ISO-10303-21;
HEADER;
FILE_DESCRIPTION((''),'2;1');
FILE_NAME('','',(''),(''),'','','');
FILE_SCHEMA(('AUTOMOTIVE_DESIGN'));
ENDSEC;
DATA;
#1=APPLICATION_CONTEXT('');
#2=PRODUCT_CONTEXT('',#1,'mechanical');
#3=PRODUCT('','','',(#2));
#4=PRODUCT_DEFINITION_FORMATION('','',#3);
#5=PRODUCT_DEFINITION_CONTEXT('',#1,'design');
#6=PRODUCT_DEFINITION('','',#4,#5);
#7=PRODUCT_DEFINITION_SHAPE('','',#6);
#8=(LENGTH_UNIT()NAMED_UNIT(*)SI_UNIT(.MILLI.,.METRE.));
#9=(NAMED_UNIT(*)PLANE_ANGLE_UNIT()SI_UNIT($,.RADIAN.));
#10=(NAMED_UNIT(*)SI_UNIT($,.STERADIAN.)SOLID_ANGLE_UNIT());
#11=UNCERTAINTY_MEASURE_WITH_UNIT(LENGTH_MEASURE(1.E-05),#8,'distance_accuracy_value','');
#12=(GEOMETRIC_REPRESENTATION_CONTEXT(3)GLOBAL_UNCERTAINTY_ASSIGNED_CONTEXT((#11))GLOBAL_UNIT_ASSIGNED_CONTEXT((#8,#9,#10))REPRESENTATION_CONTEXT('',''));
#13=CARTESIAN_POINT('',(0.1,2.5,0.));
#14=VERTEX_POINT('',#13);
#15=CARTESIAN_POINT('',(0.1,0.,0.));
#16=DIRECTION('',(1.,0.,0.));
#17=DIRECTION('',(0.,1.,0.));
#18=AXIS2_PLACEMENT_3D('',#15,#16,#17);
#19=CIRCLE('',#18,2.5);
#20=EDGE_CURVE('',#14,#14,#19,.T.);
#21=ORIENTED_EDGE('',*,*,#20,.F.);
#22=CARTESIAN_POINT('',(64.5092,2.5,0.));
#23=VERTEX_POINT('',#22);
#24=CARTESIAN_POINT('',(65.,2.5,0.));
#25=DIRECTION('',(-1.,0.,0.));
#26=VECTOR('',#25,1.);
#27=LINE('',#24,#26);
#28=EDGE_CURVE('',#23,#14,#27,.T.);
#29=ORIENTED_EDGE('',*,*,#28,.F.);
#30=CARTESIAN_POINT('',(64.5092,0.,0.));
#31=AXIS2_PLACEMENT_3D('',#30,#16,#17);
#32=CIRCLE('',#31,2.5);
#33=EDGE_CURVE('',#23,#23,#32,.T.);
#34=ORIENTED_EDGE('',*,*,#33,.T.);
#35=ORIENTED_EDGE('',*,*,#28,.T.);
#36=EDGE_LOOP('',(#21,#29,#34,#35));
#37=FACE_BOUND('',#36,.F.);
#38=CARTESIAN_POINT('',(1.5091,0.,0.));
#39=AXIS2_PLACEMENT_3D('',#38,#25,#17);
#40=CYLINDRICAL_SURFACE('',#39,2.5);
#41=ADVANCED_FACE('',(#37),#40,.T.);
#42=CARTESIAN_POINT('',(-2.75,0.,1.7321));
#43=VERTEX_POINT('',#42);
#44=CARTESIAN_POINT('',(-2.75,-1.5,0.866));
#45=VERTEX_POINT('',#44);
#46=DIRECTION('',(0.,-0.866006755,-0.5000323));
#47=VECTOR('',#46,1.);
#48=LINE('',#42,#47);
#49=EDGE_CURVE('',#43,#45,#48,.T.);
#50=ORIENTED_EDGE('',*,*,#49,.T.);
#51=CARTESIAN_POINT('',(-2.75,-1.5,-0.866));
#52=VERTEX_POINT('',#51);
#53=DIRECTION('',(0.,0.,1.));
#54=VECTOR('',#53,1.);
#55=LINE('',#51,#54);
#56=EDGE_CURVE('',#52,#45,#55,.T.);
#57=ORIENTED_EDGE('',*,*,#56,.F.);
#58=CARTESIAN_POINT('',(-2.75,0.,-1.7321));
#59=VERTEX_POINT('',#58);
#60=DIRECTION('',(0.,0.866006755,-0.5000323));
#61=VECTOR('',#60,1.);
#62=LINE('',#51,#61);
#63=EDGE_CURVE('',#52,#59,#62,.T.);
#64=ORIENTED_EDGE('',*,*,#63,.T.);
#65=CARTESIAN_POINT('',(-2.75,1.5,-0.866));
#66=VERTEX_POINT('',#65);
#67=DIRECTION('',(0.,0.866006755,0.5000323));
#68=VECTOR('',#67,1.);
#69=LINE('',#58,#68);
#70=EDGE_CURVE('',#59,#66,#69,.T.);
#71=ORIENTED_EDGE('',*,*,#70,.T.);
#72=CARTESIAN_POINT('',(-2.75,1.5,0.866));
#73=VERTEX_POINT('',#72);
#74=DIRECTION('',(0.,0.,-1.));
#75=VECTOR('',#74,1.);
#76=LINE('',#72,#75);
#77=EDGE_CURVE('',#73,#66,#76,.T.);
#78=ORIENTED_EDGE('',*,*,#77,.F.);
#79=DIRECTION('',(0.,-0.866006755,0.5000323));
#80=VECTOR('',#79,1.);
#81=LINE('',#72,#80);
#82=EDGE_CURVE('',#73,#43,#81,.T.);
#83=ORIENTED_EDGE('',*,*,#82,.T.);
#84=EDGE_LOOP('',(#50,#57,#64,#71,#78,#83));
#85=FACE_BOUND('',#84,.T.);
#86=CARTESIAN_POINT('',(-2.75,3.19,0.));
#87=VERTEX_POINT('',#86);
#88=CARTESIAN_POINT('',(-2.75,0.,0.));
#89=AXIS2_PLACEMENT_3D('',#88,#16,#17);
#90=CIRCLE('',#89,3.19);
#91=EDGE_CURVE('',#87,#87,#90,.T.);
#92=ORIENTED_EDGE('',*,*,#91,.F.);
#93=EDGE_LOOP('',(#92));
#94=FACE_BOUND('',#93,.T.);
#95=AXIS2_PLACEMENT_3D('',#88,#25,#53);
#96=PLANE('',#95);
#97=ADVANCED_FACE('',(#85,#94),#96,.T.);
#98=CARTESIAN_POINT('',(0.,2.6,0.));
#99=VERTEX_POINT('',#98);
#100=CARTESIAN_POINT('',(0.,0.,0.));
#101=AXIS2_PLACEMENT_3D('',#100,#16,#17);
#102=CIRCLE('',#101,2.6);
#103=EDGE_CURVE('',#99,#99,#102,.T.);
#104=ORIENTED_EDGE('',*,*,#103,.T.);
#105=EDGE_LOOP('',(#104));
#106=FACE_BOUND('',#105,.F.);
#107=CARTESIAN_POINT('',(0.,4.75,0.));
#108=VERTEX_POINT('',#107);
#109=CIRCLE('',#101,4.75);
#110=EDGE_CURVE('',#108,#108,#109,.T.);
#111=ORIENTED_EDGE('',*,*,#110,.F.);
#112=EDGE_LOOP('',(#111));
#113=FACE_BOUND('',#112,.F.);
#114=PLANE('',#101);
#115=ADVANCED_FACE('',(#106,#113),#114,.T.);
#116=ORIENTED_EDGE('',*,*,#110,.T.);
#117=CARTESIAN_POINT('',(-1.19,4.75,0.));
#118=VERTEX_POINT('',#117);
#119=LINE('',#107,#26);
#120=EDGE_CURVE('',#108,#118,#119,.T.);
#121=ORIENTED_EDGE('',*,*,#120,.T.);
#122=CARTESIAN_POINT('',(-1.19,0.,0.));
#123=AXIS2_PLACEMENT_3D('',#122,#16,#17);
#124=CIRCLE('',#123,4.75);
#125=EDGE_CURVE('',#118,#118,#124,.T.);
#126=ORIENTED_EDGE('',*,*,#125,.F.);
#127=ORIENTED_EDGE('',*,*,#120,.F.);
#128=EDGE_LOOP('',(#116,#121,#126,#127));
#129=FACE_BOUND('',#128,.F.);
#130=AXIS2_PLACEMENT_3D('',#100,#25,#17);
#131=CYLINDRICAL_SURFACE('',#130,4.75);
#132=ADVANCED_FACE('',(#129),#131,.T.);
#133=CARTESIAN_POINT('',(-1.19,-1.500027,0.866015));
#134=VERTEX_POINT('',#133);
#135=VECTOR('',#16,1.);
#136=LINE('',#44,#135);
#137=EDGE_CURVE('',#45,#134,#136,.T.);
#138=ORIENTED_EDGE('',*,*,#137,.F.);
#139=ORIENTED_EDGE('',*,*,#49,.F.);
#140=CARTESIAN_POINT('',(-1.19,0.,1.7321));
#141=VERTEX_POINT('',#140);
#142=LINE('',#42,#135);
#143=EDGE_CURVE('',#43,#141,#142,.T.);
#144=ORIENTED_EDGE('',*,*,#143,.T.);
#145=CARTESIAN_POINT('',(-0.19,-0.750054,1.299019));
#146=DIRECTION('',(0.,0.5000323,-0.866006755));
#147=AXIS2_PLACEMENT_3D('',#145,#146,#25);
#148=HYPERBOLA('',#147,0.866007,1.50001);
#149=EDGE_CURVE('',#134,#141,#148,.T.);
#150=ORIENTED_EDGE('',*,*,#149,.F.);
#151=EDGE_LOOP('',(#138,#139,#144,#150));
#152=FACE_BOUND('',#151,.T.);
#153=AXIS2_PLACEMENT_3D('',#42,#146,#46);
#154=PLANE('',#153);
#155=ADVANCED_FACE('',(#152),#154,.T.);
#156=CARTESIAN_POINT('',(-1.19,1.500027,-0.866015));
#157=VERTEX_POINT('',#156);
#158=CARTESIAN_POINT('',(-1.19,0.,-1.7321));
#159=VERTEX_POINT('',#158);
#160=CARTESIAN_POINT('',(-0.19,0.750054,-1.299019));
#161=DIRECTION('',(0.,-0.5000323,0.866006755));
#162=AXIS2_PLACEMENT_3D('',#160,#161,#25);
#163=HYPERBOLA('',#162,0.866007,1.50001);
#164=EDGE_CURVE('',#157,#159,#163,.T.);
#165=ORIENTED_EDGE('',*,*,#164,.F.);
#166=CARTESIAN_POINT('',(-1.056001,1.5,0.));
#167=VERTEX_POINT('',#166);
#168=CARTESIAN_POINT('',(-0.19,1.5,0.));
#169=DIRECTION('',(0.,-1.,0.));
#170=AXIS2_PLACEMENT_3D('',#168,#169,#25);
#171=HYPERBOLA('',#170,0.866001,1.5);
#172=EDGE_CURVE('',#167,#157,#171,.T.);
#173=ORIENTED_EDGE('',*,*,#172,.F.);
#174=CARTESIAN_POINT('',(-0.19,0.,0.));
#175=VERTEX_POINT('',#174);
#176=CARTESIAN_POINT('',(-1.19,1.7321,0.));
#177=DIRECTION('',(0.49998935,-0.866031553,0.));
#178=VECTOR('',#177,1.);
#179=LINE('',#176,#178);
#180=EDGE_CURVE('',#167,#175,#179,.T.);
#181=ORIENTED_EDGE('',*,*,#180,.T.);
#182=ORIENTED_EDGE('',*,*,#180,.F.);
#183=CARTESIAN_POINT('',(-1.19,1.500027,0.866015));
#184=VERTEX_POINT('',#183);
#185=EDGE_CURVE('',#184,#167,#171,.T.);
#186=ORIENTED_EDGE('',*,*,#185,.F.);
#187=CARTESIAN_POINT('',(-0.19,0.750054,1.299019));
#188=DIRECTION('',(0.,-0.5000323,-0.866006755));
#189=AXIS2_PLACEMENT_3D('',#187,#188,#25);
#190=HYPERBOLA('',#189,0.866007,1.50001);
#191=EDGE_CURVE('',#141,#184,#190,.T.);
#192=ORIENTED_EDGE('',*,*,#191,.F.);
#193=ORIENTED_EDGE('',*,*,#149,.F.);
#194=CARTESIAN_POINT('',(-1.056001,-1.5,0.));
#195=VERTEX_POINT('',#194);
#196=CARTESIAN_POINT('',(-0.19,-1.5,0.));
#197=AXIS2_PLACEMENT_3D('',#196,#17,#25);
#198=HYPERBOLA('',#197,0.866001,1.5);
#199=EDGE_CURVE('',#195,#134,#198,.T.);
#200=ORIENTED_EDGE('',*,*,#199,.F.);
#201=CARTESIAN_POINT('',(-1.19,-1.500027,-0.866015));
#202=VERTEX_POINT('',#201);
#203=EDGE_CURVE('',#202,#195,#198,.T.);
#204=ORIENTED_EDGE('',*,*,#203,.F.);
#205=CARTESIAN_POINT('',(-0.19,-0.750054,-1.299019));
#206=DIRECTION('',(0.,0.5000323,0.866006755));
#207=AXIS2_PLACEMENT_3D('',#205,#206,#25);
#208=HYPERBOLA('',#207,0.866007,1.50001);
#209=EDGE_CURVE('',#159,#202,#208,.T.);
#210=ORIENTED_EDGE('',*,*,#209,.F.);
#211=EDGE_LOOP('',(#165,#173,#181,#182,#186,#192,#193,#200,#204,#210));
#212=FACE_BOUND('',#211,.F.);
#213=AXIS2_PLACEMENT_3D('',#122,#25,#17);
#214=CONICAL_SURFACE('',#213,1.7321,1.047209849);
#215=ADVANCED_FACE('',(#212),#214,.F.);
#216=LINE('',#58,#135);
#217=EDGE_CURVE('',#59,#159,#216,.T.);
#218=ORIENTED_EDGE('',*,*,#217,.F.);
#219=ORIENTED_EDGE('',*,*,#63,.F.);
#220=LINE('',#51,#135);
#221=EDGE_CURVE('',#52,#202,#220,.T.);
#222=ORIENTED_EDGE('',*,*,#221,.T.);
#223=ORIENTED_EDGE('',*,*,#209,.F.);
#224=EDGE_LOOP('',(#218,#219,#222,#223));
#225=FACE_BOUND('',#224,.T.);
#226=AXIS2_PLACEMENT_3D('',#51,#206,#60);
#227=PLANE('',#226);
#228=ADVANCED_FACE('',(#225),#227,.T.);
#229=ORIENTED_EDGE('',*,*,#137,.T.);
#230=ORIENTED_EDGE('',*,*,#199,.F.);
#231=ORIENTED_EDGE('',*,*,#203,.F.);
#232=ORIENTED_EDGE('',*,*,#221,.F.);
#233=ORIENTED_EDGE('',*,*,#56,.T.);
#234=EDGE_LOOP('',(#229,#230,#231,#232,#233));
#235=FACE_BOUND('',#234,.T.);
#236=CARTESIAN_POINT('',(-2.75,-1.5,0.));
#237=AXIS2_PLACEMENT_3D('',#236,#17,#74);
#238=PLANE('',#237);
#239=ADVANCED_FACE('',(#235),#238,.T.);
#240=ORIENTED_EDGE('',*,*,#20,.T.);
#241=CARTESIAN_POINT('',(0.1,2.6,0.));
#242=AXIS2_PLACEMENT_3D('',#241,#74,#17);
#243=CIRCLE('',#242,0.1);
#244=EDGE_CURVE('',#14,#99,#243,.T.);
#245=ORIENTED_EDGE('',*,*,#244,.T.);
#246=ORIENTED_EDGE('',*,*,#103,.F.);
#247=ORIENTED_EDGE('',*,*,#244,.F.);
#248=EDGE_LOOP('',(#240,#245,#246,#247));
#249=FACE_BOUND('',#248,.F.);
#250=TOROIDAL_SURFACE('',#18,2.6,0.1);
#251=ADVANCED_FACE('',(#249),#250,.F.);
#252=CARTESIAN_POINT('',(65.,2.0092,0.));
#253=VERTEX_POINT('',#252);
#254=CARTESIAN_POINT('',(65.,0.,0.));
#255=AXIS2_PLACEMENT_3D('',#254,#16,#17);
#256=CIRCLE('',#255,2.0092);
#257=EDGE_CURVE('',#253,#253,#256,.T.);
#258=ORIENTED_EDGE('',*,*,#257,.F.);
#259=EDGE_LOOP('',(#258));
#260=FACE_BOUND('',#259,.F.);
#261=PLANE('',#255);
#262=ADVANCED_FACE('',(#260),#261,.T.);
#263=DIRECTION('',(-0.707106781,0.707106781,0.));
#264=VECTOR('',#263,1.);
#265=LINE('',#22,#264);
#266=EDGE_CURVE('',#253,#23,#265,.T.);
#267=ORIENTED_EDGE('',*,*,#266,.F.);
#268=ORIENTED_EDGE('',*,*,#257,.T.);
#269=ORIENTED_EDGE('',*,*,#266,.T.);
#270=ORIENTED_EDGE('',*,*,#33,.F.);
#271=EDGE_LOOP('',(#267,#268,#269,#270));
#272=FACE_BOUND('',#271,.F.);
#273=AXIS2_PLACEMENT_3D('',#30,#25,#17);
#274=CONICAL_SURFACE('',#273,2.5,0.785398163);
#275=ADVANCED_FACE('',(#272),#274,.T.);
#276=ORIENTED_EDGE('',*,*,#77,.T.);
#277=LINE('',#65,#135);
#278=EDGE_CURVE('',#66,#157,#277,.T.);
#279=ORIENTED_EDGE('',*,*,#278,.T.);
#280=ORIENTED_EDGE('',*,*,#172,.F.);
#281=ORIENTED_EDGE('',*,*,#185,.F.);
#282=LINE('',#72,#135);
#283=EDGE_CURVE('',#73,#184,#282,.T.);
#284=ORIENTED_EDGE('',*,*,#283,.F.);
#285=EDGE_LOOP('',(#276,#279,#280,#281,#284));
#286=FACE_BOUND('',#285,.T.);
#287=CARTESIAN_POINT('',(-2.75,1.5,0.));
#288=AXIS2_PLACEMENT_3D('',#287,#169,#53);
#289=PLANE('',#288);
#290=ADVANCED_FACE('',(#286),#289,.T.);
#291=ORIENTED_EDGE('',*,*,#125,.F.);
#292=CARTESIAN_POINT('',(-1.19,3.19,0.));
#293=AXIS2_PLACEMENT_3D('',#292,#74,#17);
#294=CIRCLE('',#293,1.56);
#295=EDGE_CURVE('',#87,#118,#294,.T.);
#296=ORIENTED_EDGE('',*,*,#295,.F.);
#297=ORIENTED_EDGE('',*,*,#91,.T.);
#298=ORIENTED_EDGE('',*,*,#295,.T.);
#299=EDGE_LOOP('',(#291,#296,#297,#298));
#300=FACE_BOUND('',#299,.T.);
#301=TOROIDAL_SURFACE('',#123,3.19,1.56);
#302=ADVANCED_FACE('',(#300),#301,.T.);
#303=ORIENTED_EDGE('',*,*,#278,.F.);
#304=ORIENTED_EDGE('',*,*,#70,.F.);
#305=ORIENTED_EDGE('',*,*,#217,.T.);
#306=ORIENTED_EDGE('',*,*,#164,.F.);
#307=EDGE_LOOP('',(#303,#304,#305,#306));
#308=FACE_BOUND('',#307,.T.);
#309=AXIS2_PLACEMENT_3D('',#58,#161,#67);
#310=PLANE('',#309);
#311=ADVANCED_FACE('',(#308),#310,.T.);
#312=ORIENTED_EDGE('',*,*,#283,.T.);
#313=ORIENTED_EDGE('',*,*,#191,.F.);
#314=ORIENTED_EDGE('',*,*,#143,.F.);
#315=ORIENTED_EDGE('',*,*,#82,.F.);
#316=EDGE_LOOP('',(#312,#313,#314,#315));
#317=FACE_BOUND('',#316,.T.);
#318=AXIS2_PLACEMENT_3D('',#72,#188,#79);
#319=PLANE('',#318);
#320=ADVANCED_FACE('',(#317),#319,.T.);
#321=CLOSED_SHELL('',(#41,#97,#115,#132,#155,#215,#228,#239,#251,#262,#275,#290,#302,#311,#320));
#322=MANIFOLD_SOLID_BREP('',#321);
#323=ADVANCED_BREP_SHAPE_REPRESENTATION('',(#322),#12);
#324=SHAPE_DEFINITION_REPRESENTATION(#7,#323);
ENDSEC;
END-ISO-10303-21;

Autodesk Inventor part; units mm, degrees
ref_plane "YZ Plane" through (0, 0, 0) normal (1, 0, 0) x (0, 1, 0)
ref_plane "XZ Plane" through (0, 0, 0) normal (0, 1, 0) x (-1, 0, 0)
sketch "Sketch1" plane through (0, 0, 0) normal (0, 0, 1) x (1, 0, 0)
  line L0 (-0.19, 0) -> (65, 0)
  line L1 (65, 0) -> (65, 2.5)
  line L2 (65, 2.5) -> (2, 2.5)
  line L3 (2, 2.5) -> (1.5091, 2.5)
  line L4 (1.5091, 2.5) -> (0, 2.5)
  line L5 (0, 2.5) -> (0, 4.75)
  line L6 (0, 4.75) -> (-2.75, 4.75)
  line L7 (-2.75, 4.75) -> (-2.75, 1.7321)
  line L8 (-2.75, 1.7321) -> (-1.19, 1.7321)
  line L9 (-1.19, 1.7321) -> (-0.19, 0)
  line L10 (-16.3, 0) -> (78.55, 0) projected
  line L11 (0, -0.95) -> (0, 5.7) projected
  line L12 (2, 2.5) -> (0, 2.5) construction
  dimension "d1" = 63
  dimension "d2" = 0.4909
  dimension "d3" = 2.75
  dimension "d4" = 1.56
  dimension "d5" = 60
  dimension "d6" = 5
  dimension "d7" = 5
  dimension "d8" = 3.4641
  dimension "d9" = 9.5
  dimension "d26" = 65
revolve "Body" add sketch "Sketch1" angle 360 about axis through (-0.19, 0, 0) along (1, 0, 0)
sketch "Sketch2" plane through (-2.75, 0, 0) normal (-1, 0, 0) x (0, 0, 1)
  circle A0 centre (0, 0) radius 1.7321 projected
  line L0 (0, -6.65) -> (0, 6.65) projected
  line L1 (-6.65, 0) -> (6.65, 0) projected
  line L2 (1.7321, 0) -> (0.866, -1.5)
  line L3 (0.866, -1.5) -> (-0.866, -1.5)
  line L4 (-0.866, -1.5) -> (-1.7321, 0)
  line L5 (-1.7321, 0) -> (-0.866, 1.5)
  line L6 (-0.866, 1.5) -> (0.866, 1.5)
  line L7 (0.866, 1.5) -> (1.7321, 0)
extrude "Slot" add sketch "Sketch2" against normal up to next contours L7 A0 | A0 L2 | L6 L0 A0 | A0 L0 L3 | L0 L6 A0 | A0 L3 L0 | L4 A0 | A0 L5
fillet "Fillet1" radius 1.56 1 edges at (-2.75, -4.75, 0)
thread "Thread" size "M5x0.8" class "6g" standard "ISO Metric profile" length 63
chamfer "Chamfer1" distance 0.4908 distance2 0.4908 1 edges at (65, -2.5, 0) measured on face at (65, 0.695, -0.3648)
ref_plane "Work Plane1" through (29, 0, 0) normal (0, -1, 0) x (1, 0, 0)
fillet "Fillet2" radius 0.1 1 edges at (0, -2.5, 0)
equation "\"d1\" = GEL"
equation "\"d3\" = KOH"
equation "\"d4\" = INTI"
equation "\"d6\" = GD"
equation "\"d7\" = BDM"
equation "\"d8\" = 1.1547 * SW"
equation "\"d9\" = KOD"
equation "\"d26\" = NLG"
equation "\"d30\" = R"
equation "\"d17\" = RR"
equation "\"d13\" = GEL"
equation "\"d15\" = -0.5 * SPD + 0.5 * GD"
equation "\"d16\" = GUL"
equation "\"GD\" = NND"
equation "\"NLG\" = 65"
equation "\"GEL\" = 63"
equation "\"KOD\" = 9.5"
equation "\"KOH\" = 2.75"
equation "\"INTI\" = 1.56"
equation "\"GAL\" = 0.61345 * PTC"
equation "\"GUL\" = 0.61345 * PTC"
equation "\"BDM\" = NND"
equation "\"SW\" = 3"
equation "\"RR\" = INTI"
equation "\"SPD\" = NND - 1.2269 * PTC"
equation "\"R\" = 0.1"
equation "\"KR\" = 5.2"
equation "\"GD1\" = THREADDIA - 1.2269 * PTC"
equation "\"THREADDIA\" = 5"
equation "\"FAWI\" = 45deg"
equation "\"PTC\" = 0.8"
equation "\"KOH1\" = 1.56"
equation "\"NND\" = 5"
equation "\"TOA\" = 30deg"
equation "\"E0\" = 1.155 * SW"
properties part number "Unbrako - M5 x 65" material "Steel, Mild"
